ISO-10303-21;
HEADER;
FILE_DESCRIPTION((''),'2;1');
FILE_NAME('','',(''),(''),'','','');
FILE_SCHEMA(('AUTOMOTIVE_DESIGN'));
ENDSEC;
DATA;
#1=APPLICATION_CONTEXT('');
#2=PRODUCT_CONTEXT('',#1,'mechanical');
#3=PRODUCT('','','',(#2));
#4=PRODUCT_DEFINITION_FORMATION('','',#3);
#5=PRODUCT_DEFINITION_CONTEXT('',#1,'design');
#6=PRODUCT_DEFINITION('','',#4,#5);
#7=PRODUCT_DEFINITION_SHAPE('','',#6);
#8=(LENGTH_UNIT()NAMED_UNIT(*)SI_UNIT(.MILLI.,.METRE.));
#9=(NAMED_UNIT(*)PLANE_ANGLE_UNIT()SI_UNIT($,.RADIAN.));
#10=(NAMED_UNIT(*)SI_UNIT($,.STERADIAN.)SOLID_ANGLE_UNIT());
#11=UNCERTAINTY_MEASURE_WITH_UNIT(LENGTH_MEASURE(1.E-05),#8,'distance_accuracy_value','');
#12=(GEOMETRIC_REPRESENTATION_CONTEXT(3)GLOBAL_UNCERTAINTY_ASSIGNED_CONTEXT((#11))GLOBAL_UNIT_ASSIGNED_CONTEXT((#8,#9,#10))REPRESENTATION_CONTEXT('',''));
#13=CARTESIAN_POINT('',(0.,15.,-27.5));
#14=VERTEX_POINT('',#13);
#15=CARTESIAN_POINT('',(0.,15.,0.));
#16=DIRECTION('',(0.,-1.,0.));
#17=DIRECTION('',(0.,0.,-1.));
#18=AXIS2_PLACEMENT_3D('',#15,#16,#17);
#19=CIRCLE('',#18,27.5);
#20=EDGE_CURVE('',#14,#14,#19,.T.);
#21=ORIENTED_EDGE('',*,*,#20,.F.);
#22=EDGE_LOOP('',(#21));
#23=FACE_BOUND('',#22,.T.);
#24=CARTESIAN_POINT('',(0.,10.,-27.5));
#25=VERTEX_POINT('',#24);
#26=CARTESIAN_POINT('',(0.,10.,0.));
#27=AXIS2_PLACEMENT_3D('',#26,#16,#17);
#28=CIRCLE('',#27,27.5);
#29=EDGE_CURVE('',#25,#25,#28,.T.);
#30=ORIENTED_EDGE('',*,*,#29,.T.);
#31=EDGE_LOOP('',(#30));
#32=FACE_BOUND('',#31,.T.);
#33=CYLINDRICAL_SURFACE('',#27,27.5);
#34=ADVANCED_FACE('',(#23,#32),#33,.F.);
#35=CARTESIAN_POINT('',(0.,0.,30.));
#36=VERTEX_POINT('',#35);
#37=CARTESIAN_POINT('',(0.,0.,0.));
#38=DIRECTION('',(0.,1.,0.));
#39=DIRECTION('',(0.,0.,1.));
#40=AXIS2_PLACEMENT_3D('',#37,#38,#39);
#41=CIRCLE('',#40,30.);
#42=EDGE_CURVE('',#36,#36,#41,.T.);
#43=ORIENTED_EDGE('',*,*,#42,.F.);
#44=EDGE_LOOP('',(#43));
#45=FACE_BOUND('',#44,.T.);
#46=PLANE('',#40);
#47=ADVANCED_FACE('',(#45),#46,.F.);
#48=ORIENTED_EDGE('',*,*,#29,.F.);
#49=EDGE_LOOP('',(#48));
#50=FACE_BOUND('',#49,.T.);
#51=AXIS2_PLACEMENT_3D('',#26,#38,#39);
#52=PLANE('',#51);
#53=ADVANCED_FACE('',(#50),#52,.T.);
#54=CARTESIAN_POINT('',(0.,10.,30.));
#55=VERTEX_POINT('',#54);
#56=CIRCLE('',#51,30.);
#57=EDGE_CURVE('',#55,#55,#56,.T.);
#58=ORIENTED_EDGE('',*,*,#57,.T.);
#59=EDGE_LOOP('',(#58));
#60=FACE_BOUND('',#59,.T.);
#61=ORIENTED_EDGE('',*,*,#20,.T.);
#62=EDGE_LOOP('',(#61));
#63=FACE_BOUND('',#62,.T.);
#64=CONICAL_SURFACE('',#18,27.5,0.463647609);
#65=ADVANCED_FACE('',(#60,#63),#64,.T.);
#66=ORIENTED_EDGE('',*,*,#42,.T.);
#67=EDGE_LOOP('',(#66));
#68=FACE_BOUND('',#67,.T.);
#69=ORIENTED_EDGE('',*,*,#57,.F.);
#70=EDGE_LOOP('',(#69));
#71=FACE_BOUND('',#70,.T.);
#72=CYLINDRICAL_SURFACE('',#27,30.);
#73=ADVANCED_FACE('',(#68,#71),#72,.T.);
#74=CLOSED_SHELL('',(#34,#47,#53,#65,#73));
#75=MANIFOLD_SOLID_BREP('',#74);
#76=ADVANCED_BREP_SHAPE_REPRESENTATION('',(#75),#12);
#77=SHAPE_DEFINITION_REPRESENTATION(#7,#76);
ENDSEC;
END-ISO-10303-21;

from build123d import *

# Parameters (mm, degrees)
SKETCH1_R           = 30
BOSS_EXTRUDE1_DEPTH = 10


with BuildPart() as part:
    # Sketch1 → Boss-Extrude1 (new body)
    with BuildSketch(Plane(origin=(0, 0, 0), x_dir=(1, 0, 0), z_dir=(0, 1, 0))):
        with Locations(Location((0, 0, 0), (0, 0, 270))):
            Circle(SKETCH1_R)
    extrude(amount=BOSS_EXTRUDE1_DEPTH)

    # Sketch3 → Revolve1 (revolve)
    with BuildSketch(Plane.XY, mode=Mode.PRIVATE) as revolve1_sk:
        Polygon((-27.5, 10), (-27.5, 15), (-30, 10), align=None)
    revolve(revolve1_sk.sketch.rotate(Axis((0, 10, 0), (0, 1, 0)), 270), axis=Axis((0, 10, 0), (0, 1, 0)))


solid = part.part
